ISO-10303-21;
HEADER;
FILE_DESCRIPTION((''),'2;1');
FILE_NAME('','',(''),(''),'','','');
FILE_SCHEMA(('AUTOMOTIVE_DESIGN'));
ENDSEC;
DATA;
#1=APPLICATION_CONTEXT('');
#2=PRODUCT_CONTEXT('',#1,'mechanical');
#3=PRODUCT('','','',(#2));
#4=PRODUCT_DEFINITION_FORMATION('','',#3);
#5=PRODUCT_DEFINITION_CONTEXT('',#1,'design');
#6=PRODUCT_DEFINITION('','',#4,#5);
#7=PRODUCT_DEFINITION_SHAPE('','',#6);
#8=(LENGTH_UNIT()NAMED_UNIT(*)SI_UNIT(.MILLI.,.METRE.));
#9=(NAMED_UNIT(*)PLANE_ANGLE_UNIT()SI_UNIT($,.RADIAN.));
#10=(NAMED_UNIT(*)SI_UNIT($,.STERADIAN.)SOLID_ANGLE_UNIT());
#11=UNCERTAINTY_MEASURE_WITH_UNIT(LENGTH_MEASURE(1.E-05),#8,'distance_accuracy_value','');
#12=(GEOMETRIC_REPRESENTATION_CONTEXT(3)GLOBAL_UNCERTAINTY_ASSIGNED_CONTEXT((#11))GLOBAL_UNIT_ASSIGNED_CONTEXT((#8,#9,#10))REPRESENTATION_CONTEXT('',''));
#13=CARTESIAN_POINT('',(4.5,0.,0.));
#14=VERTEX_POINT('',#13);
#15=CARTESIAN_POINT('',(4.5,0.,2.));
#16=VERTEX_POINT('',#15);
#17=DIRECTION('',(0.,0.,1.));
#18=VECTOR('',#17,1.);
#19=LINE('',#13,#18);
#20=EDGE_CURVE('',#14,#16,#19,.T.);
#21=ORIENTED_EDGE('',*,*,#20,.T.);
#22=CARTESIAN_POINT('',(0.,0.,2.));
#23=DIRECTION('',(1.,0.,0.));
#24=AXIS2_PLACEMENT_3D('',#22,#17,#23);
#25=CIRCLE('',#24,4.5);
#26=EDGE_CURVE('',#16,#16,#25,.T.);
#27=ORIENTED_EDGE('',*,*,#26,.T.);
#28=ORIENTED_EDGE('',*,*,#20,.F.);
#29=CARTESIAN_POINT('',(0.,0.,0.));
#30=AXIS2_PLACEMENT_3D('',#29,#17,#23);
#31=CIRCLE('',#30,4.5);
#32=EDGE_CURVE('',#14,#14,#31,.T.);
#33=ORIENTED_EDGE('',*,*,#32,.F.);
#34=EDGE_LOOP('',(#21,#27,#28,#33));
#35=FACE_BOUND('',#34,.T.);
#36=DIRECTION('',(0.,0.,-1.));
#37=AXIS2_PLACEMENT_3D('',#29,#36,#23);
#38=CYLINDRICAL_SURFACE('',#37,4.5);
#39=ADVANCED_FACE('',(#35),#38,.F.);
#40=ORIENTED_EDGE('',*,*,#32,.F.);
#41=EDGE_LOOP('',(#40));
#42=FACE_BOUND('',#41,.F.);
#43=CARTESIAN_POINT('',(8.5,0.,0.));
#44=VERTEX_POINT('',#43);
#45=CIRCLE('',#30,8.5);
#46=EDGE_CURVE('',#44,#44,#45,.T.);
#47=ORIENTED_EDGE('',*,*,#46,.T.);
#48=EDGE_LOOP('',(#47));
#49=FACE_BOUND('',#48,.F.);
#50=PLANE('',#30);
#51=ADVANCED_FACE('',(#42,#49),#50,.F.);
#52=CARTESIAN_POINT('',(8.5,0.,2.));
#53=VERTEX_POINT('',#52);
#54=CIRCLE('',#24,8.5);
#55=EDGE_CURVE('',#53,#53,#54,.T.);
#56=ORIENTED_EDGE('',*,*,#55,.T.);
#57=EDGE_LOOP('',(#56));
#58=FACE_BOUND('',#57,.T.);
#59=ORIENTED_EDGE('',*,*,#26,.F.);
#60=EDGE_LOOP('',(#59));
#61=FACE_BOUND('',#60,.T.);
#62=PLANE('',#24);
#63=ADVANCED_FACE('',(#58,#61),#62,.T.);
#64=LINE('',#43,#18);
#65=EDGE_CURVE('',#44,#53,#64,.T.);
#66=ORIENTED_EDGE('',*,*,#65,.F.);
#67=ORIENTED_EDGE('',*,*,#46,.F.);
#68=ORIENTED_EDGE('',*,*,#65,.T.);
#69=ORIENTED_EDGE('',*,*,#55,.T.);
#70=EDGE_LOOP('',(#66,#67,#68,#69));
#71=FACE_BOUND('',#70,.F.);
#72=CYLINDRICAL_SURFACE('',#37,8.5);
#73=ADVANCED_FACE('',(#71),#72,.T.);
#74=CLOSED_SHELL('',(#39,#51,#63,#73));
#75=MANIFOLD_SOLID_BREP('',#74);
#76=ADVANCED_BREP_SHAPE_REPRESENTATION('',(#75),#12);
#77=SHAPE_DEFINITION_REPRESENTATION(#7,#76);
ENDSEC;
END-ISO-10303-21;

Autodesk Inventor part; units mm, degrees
ref_plane "YZ Plane" through (0, 0, 0) normal (1, 0, 0) x (0, 1, 0)
ref_plane "XZ Plane" through (0, 0, 0) normal (0, 1, 0) x (-1, 0, 0)
ref_plane "XY Plane" through (0, 0, 0) normal (0, 0, 1) x (1, 0, 0)
sketch "Sketch1" plane through (0, 0, 0) normal (0, 0, 1) x (1, 0, 0)
  circle A0 centre (0, 0) radius 8.5
  circle A1 centre (0, 0) radius 4.5
  dimension "d0" = 17
  dimension "d1" = 9
extrude "Extrusion1" add sketch "Sketch1" along normal blind 2
properties part number "АНЦП.014.00.00.006" material "PET Plastic"
